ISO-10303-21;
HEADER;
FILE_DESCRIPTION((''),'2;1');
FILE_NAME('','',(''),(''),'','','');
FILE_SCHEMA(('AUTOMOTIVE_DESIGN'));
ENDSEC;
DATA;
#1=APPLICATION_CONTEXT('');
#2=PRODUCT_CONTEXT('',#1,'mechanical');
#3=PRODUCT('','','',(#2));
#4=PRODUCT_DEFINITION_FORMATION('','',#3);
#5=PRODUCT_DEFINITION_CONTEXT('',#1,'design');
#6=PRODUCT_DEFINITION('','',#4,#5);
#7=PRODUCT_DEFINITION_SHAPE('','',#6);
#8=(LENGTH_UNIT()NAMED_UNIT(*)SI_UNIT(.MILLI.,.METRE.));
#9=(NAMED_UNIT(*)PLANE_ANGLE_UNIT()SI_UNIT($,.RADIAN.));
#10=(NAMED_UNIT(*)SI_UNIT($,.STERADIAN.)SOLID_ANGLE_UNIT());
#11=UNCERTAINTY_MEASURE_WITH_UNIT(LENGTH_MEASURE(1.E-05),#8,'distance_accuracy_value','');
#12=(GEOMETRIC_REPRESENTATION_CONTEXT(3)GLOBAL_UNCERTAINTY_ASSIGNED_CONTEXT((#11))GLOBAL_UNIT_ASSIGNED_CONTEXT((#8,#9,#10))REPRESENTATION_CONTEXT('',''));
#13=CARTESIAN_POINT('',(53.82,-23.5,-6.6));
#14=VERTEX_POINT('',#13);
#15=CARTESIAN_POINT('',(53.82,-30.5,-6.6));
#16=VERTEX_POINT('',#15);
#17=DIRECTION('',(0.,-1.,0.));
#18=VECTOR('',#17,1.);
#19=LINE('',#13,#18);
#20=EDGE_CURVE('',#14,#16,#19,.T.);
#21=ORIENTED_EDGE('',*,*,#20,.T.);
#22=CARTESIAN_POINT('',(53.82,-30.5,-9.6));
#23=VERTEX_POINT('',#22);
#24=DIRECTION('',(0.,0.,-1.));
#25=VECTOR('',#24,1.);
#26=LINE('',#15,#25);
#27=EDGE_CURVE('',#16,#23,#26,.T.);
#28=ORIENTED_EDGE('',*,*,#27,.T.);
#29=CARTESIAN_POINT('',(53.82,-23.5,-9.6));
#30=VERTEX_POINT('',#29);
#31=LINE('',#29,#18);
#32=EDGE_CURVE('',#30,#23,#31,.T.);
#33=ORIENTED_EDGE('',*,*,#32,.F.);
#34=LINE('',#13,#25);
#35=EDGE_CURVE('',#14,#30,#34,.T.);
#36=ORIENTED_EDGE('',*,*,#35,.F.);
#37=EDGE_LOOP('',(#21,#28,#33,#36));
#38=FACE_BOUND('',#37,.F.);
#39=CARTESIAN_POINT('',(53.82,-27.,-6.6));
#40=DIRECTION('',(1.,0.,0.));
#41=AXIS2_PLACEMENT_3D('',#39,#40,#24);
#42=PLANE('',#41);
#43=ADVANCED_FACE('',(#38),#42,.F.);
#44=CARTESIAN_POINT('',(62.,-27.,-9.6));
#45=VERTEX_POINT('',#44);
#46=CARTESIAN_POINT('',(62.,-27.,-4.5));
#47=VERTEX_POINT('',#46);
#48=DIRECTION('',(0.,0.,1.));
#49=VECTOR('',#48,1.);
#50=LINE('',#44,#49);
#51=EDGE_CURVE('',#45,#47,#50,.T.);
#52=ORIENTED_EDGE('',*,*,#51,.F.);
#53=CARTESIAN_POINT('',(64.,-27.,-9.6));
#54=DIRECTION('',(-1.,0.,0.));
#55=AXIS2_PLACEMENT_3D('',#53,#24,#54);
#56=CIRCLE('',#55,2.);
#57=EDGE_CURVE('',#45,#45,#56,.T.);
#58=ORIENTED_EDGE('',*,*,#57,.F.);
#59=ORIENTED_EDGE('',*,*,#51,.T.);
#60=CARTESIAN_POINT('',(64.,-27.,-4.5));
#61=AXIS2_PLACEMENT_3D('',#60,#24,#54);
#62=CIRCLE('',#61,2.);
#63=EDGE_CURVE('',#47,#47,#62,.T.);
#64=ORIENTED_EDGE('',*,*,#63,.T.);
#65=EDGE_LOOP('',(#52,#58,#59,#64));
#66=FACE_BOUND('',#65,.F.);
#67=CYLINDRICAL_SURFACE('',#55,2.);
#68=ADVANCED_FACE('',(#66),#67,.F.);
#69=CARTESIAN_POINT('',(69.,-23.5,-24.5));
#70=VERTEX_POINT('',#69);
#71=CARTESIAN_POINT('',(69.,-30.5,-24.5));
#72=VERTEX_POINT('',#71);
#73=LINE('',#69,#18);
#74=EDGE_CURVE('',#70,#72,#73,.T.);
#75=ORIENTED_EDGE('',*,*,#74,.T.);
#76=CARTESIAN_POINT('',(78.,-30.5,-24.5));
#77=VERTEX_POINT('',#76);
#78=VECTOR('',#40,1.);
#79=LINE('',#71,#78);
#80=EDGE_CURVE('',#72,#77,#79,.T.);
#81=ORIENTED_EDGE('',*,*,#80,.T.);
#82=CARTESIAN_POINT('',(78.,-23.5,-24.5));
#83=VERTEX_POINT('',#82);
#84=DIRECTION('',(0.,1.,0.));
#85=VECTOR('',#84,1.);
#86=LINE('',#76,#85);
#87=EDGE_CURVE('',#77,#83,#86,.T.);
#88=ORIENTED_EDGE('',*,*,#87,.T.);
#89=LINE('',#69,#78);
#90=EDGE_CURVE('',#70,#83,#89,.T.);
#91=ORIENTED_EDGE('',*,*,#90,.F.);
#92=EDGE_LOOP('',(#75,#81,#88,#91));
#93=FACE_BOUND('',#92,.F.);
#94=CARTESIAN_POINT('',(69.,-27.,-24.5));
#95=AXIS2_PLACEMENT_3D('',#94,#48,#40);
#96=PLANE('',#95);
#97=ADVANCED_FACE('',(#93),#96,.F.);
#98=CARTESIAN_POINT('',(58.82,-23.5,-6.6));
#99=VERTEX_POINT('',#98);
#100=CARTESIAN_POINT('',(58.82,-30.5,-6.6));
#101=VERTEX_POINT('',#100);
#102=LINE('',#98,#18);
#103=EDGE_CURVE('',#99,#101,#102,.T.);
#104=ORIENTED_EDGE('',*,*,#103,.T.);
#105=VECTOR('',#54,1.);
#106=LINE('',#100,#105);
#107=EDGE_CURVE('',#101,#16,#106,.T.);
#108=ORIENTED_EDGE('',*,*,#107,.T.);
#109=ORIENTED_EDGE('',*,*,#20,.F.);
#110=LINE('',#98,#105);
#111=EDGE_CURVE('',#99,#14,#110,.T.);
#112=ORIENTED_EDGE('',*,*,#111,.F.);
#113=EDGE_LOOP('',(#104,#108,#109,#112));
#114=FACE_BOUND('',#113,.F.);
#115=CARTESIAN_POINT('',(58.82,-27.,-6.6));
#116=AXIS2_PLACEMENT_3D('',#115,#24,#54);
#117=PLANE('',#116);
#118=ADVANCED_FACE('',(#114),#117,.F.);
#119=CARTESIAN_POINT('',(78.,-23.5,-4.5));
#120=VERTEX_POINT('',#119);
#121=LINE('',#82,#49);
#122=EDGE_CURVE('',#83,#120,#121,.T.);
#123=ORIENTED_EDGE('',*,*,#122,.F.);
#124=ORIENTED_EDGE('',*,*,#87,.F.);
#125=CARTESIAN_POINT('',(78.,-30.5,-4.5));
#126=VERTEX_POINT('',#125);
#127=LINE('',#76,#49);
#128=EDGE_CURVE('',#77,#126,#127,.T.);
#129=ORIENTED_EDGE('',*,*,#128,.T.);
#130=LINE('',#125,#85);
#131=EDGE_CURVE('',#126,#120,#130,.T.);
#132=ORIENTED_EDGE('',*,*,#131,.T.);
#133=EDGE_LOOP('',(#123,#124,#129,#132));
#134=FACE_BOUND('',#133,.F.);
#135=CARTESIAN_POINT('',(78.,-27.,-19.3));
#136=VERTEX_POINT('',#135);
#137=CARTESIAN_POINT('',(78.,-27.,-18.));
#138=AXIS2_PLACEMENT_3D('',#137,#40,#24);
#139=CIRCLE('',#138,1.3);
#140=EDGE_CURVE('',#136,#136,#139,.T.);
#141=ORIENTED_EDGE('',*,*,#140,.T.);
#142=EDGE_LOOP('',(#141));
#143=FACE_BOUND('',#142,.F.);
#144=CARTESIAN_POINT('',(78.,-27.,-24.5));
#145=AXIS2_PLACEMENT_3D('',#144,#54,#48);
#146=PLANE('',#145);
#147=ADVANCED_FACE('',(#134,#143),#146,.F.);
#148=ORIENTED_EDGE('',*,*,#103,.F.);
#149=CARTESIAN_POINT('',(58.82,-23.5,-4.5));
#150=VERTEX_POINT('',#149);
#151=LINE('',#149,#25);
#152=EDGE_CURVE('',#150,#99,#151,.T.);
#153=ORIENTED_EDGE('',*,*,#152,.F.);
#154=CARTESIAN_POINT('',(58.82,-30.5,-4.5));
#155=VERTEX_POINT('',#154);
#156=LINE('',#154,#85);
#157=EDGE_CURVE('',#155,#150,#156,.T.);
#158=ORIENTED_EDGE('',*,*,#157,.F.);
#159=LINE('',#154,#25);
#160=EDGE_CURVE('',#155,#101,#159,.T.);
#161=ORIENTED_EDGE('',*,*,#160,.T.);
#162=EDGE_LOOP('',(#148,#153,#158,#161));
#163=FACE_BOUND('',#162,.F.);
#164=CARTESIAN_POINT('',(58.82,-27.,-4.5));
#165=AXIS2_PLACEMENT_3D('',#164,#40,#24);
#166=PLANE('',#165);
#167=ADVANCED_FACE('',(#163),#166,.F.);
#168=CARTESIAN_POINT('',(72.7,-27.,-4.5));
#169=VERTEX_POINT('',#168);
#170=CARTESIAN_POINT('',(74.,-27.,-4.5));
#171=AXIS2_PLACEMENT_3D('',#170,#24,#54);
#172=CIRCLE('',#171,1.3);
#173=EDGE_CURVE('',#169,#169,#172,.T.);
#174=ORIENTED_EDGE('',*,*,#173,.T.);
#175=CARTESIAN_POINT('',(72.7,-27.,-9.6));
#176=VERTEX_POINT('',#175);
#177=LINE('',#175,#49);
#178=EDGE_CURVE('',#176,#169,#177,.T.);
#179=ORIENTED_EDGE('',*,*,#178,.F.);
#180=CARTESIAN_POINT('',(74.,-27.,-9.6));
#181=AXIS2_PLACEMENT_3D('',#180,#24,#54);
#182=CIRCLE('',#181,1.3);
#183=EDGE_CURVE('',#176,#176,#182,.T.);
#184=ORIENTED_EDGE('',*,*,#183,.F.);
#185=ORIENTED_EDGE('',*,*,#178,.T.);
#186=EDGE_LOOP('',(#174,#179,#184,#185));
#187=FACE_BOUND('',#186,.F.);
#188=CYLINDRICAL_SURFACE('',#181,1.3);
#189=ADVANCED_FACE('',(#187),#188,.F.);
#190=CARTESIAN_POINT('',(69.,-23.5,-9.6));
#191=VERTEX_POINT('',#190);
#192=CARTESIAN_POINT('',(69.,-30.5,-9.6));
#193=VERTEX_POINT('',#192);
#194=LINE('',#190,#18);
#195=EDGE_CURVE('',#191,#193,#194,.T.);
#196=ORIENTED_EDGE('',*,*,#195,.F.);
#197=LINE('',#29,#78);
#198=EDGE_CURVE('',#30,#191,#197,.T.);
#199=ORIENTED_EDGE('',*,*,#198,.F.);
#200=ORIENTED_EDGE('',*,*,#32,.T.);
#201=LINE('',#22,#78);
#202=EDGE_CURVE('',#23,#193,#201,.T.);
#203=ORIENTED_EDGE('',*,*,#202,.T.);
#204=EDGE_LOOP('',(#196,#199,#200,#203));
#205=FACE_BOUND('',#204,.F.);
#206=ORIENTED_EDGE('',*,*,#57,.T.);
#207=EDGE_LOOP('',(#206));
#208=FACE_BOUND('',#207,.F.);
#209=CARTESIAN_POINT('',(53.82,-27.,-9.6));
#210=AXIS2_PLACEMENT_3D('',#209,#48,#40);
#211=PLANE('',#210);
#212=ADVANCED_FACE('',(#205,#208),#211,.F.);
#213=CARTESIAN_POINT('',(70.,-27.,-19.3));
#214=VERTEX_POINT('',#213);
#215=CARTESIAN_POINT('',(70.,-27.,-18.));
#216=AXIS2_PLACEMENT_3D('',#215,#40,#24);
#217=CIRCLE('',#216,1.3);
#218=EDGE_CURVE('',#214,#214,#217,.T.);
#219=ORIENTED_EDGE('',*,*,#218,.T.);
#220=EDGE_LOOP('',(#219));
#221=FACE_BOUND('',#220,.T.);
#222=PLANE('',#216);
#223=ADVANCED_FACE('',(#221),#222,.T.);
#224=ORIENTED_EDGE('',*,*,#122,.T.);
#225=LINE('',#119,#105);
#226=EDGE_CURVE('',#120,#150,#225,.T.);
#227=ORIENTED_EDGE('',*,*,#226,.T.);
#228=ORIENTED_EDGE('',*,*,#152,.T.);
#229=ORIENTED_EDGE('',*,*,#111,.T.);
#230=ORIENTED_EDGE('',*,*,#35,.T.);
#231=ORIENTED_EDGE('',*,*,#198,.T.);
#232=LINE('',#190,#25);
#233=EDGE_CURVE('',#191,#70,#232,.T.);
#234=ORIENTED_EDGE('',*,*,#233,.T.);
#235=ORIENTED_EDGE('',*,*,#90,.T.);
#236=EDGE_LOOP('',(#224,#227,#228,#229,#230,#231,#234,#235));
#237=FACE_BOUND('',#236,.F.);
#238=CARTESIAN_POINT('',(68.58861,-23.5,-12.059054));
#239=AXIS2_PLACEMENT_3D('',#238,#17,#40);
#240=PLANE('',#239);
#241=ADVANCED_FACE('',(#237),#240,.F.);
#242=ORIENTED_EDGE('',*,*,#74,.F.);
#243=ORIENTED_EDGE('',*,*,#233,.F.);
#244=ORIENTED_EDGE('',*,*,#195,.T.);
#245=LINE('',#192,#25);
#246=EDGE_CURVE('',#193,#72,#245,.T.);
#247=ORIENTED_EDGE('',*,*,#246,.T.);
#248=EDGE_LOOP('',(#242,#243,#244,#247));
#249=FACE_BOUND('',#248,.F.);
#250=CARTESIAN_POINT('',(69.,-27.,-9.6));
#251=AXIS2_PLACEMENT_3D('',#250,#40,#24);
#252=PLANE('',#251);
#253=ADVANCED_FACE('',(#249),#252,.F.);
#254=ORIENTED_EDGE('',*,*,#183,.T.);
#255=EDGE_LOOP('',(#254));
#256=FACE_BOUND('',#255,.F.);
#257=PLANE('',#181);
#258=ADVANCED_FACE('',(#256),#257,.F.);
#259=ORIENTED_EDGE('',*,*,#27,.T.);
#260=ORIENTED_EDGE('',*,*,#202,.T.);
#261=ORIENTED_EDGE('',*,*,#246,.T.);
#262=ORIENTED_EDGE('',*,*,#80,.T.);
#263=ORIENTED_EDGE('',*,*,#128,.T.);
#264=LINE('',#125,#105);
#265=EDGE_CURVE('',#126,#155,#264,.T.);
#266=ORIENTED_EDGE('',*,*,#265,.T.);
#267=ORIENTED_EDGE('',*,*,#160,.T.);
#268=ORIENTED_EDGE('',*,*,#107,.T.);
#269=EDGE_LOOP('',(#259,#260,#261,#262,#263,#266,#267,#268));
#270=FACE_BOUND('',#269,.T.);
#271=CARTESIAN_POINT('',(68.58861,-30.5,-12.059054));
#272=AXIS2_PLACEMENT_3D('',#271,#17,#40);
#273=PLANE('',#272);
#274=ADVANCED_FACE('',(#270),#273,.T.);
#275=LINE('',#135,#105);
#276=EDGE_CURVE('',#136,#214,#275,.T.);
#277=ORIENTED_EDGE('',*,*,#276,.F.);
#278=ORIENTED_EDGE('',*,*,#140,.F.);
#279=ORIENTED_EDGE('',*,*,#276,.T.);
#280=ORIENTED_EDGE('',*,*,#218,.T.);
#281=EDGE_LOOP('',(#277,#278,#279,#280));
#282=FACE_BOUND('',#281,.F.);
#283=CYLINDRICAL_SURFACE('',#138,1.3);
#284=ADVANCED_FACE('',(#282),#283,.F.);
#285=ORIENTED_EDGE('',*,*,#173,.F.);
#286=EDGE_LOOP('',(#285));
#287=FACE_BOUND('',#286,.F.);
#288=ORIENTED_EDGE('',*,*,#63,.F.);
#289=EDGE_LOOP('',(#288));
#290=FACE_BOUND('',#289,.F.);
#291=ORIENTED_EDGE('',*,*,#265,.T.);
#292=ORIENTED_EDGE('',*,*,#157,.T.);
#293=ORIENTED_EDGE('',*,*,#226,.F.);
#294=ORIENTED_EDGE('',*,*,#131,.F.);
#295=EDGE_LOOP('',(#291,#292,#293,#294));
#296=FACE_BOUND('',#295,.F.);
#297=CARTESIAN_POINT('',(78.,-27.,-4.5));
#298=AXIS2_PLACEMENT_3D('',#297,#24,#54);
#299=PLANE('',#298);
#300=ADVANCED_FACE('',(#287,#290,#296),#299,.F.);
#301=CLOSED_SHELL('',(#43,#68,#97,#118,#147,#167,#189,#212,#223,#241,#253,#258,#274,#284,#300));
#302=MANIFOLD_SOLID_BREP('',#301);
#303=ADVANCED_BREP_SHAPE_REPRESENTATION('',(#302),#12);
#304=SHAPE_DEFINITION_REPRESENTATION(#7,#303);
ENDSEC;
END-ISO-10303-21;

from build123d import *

# Parameters (mm, degrees)
PAD025_DEPTH             = 3.5
PAD025_DEPTH_BACK        = 3.5
SKETCH047_R              = 2
SKETCH047_R_2            = 1.3
POCKET_DEPTH             = 8
SKETCH049_R              = 1.3
POCKET001_DEPTH          = 8
CLONE010_PLACEMENT_ANGLE = 180


with BuildPart() as part:
    # Sketch → Pad025 (new body, two sides)
    with BuildSketch(Plane.XZ) as pad025_sk:
        Polygon((-58.82, -4.5), (-58.82, -6.6), (-53.82, -6.6), (-53.82, -9.6), (-69, -9.6), (-69, -24.5), (-78, -24.5), (-78, -4.5), align=None)
    extrude(amount=PAD025_DEPTH)
    extrude(pad025_sk.sketch, amount=-PAD025_DEPTH_BACK)

    # Sketch047 → Pocket (cut)
    with BuildSketch(Plane(origin=(0, 0, -9.6), x_dir=(1, 0, 0), z_dir=(0, 0, -1))):
        with Locations((-64, 0)):
            Circle(SKETCH047_R)
        with Locations((-74, 0)):
            Circle(SKETCH047_R_2)
    extrude(amount=-POCKET_DEPTH, mode=Mode.SUBTRACT)

    # Sketch049 → Pocket001 (cut)
    with BuildSketch(Plane(origin=(-78, 0, 0), x_dir=(0, 0, -1), z_dir=(-1, 0, 0))):
        with Locations((18, 0)):
            Circle(SKETCH049_R)
    extrude(amount=-POCKET001_DEPTH, mode=Mode.SUBTRACT)


with BuildPart() as part_1:
    # Clone010 placement: moved
    add(part.part.moved(Location((0, -27, 0))).rotate(Axis((0, -27, 0), (0, 0, 1)), CLONE010_PLACEMENT_ANGLE))


solid = part_1.part
